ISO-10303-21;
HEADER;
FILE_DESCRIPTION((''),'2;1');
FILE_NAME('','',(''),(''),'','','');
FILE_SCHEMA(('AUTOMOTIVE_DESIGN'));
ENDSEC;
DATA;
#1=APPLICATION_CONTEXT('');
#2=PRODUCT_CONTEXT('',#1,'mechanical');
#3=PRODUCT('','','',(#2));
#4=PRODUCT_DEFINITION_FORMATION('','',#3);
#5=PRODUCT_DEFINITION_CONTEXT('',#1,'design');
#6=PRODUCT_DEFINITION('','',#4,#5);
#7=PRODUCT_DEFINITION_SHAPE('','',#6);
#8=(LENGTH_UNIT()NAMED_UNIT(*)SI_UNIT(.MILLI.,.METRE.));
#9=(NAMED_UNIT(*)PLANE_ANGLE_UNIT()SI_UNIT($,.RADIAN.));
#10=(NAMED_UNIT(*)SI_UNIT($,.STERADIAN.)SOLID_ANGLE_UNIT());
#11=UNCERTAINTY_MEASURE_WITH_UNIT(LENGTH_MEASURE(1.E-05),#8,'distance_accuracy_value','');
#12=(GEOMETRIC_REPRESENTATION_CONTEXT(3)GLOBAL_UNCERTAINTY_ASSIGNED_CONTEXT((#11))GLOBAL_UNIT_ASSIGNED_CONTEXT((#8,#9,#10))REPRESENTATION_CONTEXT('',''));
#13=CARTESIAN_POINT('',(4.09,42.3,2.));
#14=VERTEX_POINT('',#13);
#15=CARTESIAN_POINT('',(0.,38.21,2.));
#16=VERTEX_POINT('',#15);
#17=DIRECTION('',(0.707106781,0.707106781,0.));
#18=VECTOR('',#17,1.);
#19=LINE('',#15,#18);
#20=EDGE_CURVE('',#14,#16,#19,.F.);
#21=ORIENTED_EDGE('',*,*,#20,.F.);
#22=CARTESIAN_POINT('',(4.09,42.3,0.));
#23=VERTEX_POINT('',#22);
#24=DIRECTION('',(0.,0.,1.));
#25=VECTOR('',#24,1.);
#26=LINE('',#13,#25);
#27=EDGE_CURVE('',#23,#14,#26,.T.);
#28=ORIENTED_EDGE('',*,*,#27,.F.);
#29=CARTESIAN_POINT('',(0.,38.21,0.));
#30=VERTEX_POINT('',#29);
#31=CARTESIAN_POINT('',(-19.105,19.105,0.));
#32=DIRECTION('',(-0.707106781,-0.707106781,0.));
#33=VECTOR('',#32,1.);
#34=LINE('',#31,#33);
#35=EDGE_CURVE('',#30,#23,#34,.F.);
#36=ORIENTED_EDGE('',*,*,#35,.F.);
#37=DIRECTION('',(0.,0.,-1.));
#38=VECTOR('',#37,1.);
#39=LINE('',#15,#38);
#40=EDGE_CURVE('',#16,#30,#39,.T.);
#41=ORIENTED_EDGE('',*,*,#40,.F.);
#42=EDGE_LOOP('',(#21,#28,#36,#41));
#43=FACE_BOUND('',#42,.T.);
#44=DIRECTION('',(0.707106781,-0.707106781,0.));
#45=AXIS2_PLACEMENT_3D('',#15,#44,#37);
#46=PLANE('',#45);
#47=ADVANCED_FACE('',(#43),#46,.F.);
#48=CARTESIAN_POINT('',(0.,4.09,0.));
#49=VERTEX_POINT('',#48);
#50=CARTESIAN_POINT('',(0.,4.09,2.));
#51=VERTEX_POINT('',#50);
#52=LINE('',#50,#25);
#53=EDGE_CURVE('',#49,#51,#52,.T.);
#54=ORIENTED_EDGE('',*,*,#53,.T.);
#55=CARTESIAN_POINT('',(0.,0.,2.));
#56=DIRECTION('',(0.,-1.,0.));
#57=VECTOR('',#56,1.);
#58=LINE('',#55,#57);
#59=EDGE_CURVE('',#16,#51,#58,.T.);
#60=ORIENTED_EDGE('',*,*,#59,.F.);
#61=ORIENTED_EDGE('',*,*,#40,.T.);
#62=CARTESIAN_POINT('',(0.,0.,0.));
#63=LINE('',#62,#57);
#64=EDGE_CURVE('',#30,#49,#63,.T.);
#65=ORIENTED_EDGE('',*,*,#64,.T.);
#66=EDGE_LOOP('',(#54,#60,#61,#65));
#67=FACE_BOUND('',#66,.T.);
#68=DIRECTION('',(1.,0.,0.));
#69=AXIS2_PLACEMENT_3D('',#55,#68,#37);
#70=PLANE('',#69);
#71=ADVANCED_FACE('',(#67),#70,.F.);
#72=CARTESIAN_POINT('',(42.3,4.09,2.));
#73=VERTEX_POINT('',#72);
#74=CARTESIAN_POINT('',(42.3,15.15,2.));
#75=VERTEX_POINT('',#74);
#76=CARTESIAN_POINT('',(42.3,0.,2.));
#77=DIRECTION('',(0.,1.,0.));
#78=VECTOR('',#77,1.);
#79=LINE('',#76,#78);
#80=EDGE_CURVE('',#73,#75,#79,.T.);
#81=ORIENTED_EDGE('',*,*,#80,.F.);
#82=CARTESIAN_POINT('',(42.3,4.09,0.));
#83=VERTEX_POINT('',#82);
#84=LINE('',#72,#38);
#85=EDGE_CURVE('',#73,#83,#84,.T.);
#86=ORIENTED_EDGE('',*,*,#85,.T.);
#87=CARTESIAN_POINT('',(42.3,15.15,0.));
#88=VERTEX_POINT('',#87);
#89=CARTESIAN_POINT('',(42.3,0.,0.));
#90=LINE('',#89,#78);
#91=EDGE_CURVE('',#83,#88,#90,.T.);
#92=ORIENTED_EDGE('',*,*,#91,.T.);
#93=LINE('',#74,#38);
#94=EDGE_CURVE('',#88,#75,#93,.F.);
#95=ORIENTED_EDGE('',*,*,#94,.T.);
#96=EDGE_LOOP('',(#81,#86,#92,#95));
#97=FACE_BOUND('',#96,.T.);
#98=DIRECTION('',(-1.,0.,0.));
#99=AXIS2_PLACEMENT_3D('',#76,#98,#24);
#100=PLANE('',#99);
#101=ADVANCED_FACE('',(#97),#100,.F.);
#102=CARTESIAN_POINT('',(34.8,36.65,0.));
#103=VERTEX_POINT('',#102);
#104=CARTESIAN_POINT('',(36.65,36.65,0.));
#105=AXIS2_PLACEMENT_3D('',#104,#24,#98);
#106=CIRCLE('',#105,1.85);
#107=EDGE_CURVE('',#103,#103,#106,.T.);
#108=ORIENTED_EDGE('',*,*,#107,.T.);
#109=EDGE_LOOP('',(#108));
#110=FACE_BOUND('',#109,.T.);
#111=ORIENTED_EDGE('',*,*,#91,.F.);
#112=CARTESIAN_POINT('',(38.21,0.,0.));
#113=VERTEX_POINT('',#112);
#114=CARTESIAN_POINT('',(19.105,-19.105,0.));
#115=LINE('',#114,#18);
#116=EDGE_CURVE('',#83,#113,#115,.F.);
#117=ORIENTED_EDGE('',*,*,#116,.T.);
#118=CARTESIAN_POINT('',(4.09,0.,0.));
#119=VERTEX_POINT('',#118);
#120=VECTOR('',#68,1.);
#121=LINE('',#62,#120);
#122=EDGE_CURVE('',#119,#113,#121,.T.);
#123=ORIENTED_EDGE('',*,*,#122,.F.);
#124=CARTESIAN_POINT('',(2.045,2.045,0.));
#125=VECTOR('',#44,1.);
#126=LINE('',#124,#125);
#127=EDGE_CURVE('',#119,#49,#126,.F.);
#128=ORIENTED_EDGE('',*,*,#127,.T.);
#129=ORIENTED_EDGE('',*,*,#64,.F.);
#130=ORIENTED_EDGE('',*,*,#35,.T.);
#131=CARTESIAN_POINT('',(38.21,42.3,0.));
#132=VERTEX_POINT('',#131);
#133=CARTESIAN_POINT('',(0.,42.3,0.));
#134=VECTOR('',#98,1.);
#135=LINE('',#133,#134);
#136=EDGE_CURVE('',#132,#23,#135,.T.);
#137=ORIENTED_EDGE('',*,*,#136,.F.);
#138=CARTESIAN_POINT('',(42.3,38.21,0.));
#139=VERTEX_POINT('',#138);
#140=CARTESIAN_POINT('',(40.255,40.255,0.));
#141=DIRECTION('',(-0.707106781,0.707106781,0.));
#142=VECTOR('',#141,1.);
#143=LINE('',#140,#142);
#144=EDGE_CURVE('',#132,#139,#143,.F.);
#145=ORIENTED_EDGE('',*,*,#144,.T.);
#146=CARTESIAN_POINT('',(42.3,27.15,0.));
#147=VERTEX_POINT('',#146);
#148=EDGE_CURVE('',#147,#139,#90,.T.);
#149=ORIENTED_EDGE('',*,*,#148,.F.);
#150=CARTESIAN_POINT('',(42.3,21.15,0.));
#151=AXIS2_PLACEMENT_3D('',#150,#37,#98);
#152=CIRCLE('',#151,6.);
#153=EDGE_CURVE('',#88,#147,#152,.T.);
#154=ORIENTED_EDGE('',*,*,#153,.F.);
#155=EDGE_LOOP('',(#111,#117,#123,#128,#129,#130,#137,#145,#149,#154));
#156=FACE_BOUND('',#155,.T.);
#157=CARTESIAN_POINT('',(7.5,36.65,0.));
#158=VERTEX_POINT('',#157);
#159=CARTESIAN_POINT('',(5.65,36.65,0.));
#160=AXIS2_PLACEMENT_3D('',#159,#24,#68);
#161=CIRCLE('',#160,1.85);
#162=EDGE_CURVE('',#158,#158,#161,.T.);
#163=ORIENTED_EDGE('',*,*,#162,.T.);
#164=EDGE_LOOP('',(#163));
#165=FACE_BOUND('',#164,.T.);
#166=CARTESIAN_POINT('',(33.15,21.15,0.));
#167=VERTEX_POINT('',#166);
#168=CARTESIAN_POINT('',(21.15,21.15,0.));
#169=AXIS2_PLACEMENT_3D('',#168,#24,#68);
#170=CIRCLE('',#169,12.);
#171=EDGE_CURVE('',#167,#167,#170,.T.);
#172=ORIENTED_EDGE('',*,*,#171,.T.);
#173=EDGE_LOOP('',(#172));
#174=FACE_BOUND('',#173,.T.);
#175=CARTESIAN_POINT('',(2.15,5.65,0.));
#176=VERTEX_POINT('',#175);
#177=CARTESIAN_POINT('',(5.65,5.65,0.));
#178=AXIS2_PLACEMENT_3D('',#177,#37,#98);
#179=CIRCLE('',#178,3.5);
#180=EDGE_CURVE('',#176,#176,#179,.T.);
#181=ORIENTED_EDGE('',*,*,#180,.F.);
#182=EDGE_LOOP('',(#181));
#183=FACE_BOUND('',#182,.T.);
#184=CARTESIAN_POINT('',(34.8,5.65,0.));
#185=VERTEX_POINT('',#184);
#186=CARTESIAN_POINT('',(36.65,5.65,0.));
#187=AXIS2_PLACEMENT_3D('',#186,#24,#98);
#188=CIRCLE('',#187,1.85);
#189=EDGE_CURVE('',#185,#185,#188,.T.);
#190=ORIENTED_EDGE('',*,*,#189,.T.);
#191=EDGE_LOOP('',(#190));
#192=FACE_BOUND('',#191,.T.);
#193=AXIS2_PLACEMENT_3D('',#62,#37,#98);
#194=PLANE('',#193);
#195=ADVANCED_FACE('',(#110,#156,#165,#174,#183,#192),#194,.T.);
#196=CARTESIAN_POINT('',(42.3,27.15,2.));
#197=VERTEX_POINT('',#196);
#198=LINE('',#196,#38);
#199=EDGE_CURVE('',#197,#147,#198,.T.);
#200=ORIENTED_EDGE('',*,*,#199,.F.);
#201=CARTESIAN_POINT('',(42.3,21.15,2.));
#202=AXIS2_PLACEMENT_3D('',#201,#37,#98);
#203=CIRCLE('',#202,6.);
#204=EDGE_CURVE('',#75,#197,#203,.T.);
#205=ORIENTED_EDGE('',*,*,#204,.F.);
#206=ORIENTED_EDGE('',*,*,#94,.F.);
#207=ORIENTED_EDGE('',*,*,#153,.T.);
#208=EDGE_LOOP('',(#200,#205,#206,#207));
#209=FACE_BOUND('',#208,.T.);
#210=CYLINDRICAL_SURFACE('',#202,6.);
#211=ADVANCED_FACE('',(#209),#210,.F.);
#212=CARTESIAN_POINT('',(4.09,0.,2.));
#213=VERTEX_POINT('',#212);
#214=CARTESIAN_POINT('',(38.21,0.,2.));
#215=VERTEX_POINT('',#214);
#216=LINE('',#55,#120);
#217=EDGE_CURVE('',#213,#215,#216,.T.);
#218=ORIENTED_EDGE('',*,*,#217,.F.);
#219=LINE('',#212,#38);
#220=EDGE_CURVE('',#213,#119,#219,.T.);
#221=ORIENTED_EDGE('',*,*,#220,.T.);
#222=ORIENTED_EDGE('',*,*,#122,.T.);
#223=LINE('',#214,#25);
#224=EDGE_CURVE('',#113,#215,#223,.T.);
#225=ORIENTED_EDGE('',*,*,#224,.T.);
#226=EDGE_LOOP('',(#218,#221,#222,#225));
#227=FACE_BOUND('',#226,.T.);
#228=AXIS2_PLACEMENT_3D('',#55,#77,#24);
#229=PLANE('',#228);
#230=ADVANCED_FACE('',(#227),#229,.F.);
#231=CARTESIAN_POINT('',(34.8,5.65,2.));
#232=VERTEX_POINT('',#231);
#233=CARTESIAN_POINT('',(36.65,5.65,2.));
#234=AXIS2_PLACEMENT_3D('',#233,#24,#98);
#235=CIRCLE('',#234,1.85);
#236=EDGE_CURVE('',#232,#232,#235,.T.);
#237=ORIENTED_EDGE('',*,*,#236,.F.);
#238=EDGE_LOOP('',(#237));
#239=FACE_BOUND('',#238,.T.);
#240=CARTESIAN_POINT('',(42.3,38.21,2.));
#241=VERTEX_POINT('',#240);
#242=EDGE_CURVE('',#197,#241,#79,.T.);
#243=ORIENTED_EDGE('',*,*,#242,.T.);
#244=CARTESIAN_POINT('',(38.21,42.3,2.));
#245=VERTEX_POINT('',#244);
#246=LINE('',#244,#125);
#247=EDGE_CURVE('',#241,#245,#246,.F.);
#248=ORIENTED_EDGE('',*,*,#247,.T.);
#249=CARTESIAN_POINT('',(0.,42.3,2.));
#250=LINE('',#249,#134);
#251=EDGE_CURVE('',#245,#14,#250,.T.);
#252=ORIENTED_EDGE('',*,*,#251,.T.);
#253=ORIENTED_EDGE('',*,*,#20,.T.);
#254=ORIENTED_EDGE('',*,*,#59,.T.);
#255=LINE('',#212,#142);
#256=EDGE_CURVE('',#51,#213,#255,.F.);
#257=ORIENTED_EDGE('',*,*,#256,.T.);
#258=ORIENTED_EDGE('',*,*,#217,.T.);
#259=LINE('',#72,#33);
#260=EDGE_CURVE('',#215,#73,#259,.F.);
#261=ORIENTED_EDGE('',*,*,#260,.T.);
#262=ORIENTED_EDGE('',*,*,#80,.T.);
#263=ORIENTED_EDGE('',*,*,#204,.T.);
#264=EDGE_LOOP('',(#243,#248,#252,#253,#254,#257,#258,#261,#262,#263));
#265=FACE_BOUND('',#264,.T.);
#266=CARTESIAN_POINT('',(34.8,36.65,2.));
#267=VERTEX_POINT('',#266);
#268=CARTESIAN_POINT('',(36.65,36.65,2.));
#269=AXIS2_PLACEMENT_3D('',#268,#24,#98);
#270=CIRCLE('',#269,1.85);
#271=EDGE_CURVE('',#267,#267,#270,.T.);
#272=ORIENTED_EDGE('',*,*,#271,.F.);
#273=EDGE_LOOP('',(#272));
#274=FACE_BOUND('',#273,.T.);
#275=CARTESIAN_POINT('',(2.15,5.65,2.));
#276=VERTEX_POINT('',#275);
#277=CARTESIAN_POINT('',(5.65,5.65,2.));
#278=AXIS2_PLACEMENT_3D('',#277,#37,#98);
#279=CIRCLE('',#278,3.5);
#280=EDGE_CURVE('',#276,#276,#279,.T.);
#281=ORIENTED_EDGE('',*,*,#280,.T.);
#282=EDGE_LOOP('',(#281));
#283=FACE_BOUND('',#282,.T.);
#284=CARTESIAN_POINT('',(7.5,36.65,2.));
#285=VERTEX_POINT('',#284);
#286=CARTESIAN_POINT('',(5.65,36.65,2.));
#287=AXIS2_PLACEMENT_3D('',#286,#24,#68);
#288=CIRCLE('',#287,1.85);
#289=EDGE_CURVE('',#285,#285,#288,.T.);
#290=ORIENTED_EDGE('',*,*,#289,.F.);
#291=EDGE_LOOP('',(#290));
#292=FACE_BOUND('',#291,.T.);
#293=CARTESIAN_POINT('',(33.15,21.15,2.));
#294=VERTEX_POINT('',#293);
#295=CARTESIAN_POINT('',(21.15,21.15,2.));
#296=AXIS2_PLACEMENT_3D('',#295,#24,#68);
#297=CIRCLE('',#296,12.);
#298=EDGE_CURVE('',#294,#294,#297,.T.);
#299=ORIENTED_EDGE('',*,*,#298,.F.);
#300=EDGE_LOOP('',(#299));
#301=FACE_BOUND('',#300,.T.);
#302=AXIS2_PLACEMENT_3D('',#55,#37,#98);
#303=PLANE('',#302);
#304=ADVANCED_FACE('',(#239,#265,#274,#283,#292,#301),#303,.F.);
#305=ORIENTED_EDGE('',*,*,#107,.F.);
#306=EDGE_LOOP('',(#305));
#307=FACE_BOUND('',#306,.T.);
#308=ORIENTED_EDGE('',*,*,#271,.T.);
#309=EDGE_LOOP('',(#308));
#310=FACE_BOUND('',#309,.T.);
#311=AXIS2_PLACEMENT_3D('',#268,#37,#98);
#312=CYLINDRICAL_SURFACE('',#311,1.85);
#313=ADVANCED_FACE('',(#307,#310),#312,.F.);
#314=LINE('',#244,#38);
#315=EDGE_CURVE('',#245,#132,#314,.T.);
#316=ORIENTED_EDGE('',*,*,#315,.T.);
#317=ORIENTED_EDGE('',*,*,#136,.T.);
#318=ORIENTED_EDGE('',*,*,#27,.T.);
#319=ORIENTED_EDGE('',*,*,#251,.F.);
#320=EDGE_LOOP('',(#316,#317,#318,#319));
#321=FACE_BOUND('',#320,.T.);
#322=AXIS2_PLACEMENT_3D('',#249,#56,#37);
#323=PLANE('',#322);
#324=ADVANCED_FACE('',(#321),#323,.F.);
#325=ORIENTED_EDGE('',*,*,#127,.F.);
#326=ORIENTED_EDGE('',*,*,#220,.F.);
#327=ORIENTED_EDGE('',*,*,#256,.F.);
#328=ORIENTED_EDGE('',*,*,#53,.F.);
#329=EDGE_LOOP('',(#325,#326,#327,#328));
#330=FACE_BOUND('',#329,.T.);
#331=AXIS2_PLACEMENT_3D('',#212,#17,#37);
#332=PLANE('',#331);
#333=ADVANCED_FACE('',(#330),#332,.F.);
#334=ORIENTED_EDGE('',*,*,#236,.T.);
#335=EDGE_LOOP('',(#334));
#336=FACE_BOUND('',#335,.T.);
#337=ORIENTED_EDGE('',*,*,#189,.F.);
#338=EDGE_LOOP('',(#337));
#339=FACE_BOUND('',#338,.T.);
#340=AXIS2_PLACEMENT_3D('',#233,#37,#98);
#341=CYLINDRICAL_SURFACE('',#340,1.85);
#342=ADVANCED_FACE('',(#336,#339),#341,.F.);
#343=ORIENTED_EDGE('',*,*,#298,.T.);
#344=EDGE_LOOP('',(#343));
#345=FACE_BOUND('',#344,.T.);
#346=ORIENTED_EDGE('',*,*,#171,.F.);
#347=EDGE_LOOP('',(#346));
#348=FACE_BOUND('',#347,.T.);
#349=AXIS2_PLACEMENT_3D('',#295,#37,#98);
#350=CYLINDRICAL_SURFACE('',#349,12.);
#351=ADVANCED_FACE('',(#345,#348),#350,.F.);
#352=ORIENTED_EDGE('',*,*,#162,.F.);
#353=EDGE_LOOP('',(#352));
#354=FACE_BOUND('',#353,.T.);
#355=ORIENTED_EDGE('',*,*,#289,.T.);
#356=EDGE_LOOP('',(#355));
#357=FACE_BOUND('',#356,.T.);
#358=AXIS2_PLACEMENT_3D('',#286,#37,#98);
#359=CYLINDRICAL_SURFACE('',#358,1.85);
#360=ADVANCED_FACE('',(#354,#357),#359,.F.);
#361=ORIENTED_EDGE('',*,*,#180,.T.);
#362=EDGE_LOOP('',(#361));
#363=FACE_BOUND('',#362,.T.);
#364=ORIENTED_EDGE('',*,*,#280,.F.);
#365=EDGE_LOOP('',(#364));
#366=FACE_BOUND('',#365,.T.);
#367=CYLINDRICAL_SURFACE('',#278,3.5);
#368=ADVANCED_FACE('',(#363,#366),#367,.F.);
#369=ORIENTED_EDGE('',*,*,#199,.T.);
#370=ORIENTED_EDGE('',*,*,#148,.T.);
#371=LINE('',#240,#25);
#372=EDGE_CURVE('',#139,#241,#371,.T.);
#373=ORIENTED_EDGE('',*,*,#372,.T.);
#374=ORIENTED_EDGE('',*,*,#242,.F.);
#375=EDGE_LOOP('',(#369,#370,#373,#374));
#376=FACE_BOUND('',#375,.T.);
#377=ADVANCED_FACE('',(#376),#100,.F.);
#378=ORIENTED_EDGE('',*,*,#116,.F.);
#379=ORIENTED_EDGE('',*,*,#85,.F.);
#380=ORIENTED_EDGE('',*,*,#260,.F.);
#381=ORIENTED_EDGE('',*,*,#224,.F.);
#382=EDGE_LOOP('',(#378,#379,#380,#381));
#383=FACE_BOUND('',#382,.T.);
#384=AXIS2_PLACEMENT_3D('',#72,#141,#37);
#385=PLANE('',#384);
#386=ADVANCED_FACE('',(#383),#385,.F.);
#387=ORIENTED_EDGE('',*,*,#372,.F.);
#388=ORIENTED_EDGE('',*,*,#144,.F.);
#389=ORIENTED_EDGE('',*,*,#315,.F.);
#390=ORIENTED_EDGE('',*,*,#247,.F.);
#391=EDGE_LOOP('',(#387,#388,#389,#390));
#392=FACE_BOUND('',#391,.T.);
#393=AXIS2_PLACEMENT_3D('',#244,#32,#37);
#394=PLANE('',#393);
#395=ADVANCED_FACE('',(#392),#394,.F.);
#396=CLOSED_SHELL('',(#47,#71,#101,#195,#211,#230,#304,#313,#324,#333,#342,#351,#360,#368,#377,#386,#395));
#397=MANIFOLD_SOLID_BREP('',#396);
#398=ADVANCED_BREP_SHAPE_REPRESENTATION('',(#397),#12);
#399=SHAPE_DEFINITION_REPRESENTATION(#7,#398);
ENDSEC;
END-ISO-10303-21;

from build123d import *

# Parameters (mm, degrees)
CROQUIS1_W              = 42.3
CROQUIS1_H              = 42.3
CROQUIS1_R              = 1.85
CROQUIS1_R_2            = 12
SALIENTE_EXTRUIR1_DEPTH = 2
CHAFL_N1_SIZE           = 4.09
CROQUIS2_R              = 6
CORTAR_EXTRUIR1_DEPTH   = 60.854657296
CROQUIS4_R              = 3.5
CORTAR_EXTRUIR3_DEPTH   = 60.854657296


with BuildPart() as part:
    # Croquis1 → Saliente-Extruir1 (new body)
    with BuildSketch(Plane.XY):
        with Locations((21.15, 21.15)):
            Rectangle(CROQUIS1_W, CROQUIS1_H)
        with Locations((5.65, 36.65)):
            Circle(CROQUIS1_R, mode=Mode.SUBTRACT)
        with Locations((5.65, 5.65)):
            Circle(CROQUIS1_R, mode=Mode.SUBTRACT)
        with Locations(Location((36.65, 5.65, 0), (0, 0, 180))):
            Circle(CROQUIS1_R, mode=Mode.SUBTRACT)
        with Locations(Location((36.65, 36.65, 0), (0, 0, 180))):
            Circle(CROQUIS1_R, mode=Mode.SUBTRACT)
        with Locations((21.15, 21.15)):
            Circle(CROQUIS1_R_2, mode=Mode.SUBTRACT)
    extrude(amount=SALIENTE_EXTRUIR1_DEPTH)

    # Chaflán1
    chafl_n1_edges = [part.edges().sort_by_distance(p)[0] for p in [
        (0, 42.3, 1),
        (42.3, 42.3, 1),
        (42.3, 0, 1),
        (0, 0, 1),
    ]]
    chamfer(chafl_n1_edges, length=CHAFL_N1_SIZE)

    # Croquis2 → Cortar-Extruir1 (cut, through all)
    with BuildSketch(Plane(origin=(0, 0, 0), x_dir=(-1, 0, 0), z_dir=(0, 0, -1))):
        with Locations((-42.3, 21.15)):
            Circle(CROQUIS2_R)
    extrude(amount=-CORTAR_EXTRUIR1_DEPTH, mode=Mode.SUBTRACT)

    # Croquis4 → Cortar-Extruir3 (cut, through all)
    with BuildSketch(Plane(origin=(0, 0, 0), x_dir=(-1, 0, 0), z_dir=(0, 0, -1))):
        with Locations((-5.65, 5.65)):
            Circle(CROQUIS4_R)
    extrude(amount=-CORTAR_EXTRUIR3_DEPTH, mode=Mode.SUBTRACT)


solid = part.part
